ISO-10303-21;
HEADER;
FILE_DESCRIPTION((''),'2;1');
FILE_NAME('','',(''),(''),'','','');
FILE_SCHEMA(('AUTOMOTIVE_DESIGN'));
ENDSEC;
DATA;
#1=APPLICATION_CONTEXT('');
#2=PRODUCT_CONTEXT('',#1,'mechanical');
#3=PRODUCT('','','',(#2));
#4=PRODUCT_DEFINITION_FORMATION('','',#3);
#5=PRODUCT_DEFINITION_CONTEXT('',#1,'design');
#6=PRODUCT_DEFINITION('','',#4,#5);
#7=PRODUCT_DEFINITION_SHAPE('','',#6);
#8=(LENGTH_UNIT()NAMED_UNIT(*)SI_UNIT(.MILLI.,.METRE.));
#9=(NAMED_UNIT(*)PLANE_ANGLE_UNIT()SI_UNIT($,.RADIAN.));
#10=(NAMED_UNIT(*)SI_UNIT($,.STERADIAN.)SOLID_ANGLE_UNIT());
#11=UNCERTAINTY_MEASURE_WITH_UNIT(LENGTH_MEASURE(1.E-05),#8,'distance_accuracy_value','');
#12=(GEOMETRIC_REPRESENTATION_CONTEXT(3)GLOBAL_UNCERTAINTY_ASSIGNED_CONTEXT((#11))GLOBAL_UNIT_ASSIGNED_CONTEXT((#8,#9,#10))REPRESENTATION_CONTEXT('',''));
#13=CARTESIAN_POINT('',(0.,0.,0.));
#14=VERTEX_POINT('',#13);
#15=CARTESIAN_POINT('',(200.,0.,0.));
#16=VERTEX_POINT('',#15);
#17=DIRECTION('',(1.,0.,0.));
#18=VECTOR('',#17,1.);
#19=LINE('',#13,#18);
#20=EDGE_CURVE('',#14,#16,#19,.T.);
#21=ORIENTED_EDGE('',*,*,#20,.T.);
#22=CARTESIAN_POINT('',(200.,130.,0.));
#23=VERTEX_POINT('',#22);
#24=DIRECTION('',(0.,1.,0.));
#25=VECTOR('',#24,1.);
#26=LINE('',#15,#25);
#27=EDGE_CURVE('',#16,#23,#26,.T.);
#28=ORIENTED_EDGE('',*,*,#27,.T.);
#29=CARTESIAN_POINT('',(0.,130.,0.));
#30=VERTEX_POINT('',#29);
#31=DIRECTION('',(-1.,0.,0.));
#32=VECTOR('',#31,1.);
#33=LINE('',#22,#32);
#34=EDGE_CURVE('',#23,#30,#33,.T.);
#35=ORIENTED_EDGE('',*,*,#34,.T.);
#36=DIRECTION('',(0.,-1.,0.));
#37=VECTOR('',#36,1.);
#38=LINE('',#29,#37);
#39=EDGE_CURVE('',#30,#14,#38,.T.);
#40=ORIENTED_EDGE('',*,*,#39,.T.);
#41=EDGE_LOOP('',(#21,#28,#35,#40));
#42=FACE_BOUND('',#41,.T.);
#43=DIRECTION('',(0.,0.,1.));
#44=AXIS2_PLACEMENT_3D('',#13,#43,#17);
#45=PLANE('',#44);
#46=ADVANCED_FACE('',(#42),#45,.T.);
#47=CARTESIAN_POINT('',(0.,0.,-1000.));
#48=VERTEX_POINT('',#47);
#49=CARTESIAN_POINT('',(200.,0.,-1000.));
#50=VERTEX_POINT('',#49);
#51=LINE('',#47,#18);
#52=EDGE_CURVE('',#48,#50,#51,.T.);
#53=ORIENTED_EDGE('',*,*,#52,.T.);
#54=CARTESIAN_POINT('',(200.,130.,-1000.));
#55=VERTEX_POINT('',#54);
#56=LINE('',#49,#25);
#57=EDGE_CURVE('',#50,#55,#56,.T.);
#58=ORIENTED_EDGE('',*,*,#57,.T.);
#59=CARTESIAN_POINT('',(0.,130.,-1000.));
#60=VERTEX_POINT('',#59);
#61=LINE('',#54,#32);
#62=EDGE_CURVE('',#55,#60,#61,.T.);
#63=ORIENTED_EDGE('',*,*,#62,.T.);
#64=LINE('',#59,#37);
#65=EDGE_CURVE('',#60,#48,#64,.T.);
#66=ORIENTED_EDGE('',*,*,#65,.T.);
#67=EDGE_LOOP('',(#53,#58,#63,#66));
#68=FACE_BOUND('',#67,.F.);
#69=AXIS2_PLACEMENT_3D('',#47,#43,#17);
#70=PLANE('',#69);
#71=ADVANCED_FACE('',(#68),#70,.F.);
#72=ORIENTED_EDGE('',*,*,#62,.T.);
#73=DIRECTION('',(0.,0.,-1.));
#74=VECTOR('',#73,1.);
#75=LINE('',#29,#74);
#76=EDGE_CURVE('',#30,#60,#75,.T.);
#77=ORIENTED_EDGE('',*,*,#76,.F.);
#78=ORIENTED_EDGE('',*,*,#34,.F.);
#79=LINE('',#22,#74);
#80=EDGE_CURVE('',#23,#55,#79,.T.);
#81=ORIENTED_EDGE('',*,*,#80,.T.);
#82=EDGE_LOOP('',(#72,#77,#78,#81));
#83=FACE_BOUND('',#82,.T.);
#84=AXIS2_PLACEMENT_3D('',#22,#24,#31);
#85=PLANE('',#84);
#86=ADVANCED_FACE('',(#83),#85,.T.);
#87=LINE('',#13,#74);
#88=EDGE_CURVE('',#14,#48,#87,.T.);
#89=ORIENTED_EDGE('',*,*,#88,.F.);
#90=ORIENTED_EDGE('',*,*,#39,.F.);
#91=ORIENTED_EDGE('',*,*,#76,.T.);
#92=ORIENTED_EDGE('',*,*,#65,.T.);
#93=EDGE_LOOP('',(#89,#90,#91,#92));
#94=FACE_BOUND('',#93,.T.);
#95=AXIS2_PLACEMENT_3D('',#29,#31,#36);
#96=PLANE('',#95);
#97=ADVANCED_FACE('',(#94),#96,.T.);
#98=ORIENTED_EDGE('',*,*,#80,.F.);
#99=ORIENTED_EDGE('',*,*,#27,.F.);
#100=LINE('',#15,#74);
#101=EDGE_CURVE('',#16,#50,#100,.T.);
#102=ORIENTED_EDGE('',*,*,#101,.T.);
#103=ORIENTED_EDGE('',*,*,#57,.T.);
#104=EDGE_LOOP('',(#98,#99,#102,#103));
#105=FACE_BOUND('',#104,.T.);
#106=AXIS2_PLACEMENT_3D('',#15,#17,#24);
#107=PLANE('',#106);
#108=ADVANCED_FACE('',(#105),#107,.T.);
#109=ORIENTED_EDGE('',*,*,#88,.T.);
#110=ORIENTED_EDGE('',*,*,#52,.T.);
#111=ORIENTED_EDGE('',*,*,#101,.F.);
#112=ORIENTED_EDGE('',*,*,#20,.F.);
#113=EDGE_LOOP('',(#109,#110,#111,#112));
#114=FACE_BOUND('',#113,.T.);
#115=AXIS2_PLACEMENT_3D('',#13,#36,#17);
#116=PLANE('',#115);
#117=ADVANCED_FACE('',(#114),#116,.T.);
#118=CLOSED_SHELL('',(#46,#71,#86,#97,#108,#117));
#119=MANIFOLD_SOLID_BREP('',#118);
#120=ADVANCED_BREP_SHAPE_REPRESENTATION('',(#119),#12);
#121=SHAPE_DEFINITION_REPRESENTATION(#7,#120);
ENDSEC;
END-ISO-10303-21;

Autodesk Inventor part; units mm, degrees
ref_plane "YZ Plane" through (0, 0, 0) normal (1, 0, 0) x (0, 1, 0)
ref_plane "XZ Plane" through (0, 0, 0) normal (0, 1, 0) x (-1, 0, 0)
ref_plane "XY Plane" through (0, 0, 0) normal (0, 0, 1) x (1, 0, 0)
sketch "Sketch1" plane through (0, 0, 0) normal (0, 0, 1) x (1, 0, 0)
  line L0 (0, 0) -> (200, 0)
  line L1 (200, 0) -> (200, 130)
  line L2 (200, 130) -> (0, 130)
  line L3 (0, 130) -> (0, 0)
  dimension "d0" = 200
  dimension "d1" = 130
extrude "Extrusion1" add sketch "Sketch1" against normal blind 1000
properties part number "Soporte de base soporte"
